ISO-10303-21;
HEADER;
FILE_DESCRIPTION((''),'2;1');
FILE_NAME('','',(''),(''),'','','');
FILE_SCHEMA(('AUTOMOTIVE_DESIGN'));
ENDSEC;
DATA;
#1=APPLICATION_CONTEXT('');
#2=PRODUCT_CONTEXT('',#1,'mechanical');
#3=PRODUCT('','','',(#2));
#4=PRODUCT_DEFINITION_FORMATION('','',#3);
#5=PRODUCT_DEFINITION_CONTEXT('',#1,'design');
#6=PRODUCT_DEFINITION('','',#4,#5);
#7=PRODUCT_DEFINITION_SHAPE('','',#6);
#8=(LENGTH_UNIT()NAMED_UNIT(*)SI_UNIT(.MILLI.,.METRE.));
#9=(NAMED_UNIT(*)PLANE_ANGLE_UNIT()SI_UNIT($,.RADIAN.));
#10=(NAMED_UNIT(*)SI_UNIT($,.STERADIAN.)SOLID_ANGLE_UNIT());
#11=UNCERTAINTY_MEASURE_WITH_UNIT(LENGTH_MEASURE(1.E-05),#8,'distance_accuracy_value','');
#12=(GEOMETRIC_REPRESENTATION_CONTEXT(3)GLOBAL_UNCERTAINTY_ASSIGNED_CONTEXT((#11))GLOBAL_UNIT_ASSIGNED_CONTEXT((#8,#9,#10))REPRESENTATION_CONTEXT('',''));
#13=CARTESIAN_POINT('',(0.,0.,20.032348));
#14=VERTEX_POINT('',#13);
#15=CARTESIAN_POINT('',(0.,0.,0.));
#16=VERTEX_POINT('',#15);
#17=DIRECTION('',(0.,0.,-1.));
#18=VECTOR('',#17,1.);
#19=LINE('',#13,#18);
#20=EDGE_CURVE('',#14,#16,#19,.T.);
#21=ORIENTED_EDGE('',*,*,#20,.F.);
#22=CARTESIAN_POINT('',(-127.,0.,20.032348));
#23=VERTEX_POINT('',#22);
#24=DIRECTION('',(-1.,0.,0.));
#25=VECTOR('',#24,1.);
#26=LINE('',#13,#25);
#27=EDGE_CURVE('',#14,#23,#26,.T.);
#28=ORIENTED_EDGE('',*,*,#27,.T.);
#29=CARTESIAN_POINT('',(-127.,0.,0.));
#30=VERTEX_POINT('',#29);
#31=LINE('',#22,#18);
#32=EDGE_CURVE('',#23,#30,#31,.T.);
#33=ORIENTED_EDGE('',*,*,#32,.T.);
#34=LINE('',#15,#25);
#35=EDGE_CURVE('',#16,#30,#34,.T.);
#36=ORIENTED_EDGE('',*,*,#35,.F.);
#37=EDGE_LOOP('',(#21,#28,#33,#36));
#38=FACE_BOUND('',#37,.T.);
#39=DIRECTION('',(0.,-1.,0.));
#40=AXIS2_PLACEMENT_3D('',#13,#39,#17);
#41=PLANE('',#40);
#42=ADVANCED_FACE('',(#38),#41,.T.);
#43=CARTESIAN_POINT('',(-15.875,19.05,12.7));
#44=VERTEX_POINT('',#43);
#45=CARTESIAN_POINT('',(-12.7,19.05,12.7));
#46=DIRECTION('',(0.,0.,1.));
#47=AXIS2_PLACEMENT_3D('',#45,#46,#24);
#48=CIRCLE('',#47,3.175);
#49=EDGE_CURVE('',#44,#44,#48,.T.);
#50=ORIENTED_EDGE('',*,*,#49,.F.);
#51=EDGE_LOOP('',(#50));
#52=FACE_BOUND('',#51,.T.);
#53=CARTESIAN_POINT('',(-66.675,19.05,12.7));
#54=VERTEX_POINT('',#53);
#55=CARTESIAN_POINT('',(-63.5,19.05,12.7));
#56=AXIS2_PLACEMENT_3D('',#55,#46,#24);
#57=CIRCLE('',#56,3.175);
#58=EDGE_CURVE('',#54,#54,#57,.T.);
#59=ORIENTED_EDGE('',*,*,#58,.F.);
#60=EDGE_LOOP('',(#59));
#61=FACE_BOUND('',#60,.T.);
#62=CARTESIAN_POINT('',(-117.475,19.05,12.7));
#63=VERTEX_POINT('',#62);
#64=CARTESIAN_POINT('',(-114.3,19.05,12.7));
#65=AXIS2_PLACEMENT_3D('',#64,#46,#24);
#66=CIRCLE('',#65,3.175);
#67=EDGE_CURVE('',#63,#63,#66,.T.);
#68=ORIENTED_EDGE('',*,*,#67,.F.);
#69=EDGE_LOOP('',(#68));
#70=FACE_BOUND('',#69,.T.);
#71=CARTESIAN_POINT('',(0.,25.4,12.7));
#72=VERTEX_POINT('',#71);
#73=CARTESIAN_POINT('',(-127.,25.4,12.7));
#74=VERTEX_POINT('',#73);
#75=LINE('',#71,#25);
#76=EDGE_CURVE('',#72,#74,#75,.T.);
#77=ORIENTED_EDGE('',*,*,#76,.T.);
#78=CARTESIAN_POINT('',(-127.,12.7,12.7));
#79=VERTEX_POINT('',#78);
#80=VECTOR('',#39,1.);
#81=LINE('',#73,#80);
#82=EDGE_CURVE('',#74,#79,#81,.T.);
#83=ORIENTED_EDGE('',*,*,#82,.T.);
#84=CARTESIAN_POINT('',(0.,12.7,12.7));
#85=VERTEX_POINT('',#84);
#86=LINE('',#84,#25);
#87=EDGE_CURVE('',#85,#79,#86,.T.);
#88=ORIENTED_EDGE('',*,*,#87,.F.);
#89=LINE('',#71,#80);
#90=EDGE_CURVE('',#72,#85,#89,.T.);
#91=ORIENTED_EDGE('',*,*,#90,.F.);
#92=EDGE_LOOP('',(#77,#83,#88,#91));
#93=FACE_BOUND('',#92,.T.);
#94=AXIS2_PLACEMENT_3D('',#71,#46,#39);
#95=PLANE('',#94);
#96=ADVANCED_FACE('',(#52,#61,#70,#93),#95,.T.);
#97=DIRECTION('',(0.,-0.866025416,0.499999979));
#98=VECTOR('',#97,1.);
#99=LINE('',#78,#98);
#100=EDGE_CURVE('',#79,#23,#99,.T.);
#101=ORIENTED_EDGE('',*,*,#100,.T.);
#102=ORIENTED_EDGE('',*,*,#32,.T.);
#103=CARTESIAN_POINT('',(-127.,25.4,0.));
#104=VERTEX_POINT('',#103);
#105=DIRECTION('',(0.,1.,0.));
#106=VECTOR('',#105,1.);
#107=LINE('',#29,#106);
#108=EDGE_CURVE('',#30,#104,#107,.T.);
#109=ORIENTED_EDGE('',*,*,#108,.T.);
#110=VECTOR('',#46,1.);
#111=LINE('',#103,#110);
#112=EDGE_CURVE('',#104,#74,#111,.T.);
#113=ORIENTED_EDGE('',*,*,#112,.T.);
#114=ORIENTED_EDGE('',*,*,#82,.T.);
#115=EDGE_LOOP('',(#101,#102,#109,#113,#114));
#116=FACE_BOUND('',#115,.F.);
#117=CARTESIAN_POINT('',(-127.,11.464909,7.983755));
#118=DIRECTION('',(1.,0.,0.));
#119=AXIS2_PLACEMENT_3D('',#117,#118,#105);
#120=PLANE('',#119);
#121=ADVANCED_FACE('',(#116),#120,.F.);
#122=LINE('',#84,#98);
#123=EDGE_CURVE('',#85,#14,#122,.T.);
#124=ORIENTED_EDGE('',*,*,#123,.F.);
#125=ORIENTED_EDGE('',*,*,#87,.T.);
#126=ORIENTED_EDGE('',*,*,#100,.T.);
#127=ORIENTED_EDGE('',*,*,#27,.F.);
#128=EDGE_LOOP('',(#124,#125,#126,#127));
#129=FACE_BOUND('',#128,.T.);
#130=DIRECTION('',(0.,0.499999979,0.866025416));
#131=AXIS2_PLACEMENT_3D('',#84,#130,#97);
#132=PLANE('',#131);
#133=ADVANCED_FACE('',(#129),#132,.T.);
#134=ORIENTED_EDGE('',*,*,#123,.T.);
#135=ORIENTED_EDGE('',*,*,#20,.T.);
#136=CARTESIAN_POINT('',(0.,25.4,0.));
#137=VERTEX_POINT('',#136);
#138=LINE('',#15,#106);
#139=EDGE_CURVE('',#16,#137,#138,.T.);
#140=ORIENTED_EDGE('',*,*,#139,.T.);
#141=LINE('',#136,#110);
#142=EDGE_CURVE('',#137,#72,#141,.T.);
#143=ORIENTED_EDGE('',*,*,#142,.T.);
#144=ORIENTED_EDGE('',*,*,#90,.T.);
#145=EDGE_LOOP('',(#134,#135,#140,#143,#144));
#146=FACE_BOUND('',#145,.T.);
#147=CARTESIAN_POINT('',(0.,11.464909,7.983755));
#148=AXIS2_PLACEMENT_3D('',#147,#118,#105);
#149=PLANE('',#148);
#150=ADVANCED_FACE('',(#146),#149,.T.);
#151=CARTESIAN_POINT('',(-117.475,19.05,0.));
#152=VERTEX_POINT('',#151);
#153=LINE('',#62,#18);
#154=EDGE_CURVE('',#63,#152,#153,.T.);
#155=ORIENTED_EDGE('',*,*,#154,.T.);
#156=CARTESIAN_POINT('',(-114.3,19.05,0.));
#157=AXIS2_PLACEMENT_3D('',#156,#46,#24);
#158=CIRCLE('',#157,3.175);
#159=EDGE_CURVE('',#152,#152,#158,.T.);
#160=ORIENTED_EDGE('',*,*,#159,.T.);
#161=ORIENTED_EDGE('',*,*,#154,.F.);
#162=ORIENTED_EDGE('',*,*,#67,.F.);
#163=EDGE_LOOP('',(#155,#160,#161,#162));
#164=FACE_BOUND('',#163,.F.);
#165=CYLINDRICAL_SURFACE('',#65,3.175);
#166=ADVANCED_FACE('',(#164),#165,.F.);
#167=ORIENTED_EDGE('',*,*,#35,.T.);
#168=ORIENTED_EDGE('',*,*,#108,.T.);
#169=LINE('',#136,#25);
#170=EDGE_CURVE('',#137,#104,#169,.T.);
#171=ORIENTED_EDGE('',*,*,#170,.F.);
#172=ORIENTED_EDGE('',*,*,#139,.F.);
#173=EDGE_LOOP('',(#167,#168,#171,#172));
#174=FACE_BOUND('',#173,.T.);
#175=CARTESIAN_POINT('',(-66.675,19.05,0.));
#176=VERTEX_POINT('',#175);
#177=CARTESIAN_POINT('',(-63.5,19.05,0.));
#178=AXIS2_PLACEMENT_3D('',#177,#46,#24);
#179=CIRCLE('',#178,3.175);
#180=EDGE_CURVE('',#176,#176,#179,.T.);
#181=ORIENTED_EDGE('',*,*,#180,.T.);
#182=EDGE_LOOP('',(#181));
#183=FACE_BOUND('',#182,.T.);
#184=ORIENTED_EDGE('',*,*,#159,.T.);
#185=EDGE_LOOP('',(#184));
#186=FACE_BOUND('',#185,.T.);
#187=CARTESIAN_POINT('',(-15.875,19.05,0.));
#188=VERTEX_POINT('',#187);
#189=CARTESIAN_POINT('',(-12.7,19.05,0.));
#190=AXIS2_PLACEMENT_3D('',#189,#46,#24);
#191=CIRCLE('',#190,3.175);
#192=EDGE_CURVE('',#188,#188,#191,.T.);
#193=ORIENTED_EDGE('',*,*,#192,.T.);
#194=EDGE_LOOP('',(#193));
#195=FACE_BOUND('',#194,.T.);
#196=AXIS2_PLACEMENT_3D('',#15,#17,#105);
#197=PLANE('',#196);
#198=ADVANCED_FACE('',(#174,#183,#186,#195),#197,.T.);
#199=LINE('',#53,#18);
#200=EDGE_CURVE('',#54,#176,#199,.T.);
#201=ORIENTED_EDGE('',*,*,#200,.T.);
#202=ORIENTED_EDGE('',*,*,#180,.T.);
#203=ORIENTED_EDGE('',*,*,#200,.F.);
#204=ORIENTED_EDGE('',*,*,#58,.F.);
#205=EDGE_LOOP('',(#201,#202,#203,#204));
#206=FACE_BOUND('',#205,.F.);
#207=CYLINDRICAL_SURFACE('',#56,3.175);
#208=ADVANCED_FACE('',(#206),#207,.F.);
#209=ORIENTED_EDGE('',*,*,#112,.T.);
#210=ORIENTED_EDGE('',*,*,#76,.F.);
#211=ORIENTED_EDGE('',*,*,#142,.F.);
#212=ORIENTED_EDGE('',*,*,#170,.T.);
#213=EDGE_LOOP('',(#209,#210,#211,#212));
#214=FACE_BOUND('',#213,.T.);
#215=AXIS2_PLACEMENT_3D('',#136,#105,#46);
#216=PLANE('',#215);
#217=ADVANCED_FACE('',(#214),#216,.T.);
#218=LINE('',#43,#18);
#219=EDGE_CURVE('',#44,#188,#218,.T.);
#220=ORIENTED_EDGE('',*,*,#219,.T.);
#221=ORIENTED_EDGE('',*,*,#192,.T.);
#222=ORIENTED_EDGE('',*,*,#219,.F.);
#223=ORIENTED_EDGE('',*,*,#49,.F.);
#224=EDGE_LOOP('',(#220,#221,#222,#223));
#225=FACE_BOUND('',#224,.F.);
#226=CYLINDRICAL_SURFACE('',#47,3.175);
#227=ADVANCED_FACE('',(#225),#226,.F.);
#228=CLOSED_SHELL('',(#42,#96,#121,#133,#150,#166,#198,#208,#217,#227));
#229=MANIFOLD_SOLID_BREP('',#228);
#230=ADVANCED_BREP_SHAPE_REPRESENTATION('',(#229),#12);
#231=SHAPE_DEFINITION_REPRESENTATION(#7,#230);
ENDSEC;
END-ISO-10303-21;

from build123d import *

# Parameters (mm, degrees)
F1_DEPTH = 127
F3_DEPTH = 12.701


with BuildPart() as f1:
    # F0 (on Right) → F1 (new body)
    with BuildSketch(Plane.YZ):
        Polygon((0, 20.032348), (0, 0), (25.4, 0), (25.4, 12.7), (12.7, 12.7), align=None)
    extrude(amount=-F1_DEPTH)

    # F2 (on face) → F3 (cut, through all)
    with BuildSketch(Plane.XY.offset(12.7)):
        with BuildLine():
            ThreePointArc((-111.125, 19.05), (-114.3, 22.225), (-117.475, 19.05))
            Line((-117.475, 19.05), (-111.125, 19.05))
        make_face()
        with BuildLine():
            ThreePointArc((-9.525, 19.05), (-12.7, 22.225), (-15.875, 19.05))
            Line((-15.875, 19.05), (-9.525, 19.05))
        make_face()
        with BuildLine():
            Line((-9.525, 19.05), (-15.875, 19.05))
            ThreePointArc((-15.875, 19.05), (-12.7, 15.875), (-9.525, 19.05))
        make_face()
        with BuildLine():
            ThreePointArc((-60.325, 19.05), (-63.5, 22.225), (-66.675, 19.05))
            Line((-66.675, 19.05), (-60.325, 19.05))
        make_face()
        with BuildLine():
            Line((-60.325, 19.05), (-66.675, 19.05))
            ThreePointArc((-66.675, 19.05), (-63.5, 15.875), (-60.325, 19.05))
        make_face()
        with BuildLine():
            Line((-111.125, 19.05), (-117.475, 19.05))
            ThreePointArc((-117.475, 19.05), (-114.3, 15.875), (-111.125, 19.05))
        make_face()
    extrude(amount=-F3_DEPTH, mode=Mode.SUBTRACT)


solid = f1.part
